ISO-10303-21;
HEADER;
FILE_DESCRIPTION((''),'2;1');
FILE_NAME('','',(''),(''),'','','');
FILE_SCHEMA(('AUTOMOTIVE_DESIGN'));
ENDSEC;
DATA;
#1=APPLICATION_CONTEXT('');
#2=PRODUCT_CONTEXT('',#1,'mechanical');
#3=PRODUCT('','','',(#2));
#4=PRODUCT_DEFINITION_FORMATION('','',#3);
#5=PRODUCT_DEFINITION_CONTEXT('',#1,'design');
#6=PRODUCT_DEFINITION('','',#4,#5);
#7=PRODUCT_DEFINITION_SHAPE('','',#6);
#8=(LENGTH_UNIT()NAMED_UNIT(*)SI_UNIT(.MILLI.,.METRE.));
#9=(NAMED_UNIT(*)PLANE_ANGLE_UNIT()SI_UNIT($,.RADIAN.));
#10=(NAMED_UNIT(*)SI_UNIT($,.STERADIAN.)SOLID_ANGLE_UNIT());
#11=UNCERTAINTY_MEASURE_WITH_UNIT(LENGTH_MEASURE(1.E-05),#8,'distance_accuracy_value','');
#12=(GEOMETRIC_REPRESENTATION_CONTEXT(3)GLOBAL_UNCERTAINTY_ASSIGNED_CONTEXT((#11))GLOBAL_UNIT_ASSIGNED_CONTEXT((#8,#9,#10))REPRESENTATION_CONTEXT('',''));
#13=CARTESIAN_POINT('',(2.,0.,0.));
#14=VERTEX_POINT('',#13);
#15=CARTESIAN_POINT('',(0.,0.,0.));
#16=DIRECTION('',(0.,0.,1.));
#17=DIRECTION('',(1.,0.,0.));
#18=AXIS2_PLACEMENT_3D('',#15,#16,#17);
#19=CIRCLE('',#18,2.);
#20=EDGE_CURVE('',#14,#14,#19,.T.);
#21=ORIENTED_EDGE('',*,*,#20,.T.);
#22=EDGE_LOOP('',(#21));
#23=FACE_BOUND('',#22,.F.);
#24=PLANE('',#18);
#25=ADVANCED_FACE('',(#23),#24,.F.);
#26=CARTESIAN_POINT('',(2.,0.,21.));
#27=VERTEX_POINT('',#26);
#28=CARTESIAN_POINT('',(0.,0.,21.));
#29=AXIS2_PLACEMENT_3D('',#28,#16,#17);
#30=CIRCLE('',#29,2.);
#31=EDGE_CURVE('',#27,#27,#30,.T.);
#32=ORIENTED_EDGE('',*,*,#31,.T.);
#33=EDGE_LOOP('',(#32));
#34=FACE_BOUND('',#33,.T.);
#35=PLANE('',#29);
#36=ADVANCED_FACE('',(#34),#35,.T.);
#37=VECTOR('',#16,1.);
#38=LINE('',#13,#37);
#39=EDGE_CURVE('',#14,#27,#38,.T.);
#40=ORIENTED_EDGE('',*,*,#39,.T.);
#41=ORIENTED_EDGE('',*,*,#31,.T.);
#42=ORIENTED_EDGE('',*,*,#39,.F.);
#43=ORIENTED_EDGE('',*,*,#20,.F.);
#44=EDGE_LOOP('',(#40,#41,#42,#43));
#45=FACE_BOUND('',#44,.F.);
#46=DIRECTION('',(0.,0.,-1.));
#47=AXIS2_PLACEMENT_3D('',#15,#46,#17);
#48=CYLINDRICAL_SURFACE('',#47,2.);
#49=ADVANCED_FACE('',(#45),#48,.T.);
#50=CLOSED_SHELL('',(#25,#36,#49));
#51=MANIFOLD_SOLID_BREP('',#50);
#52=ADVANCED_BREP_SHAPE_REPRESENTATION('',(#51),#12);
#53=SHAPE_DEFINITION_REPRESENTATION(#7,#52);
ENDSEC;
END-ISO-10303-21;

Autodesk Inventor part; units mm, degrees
ref_plane "YZ Plane" through (0, 0, 0) normal (1, 0, 0) x (0, 1, 0)
ref_plane "XZ Plane" through (0, 0, 0) normal (0, 1, 0) x (-1, 0, 0)
ref_plane "XY Plane" through (0, 0, 0) normal (0, 0, 1) x (1, 0, 0)
sketch "Sketch1" plane through (0, 0, 0) normal (0, 0, 1) x (1, 0, 0)
  circle A0 centre (0, 0) radius 2
  dimension "d0" = 4
extrude "Extrusion1" add sketch "Sketch1" along normal blind 21
properties part number "Long Joint Pin Spider Crab" material "Steel, Galvanized"
